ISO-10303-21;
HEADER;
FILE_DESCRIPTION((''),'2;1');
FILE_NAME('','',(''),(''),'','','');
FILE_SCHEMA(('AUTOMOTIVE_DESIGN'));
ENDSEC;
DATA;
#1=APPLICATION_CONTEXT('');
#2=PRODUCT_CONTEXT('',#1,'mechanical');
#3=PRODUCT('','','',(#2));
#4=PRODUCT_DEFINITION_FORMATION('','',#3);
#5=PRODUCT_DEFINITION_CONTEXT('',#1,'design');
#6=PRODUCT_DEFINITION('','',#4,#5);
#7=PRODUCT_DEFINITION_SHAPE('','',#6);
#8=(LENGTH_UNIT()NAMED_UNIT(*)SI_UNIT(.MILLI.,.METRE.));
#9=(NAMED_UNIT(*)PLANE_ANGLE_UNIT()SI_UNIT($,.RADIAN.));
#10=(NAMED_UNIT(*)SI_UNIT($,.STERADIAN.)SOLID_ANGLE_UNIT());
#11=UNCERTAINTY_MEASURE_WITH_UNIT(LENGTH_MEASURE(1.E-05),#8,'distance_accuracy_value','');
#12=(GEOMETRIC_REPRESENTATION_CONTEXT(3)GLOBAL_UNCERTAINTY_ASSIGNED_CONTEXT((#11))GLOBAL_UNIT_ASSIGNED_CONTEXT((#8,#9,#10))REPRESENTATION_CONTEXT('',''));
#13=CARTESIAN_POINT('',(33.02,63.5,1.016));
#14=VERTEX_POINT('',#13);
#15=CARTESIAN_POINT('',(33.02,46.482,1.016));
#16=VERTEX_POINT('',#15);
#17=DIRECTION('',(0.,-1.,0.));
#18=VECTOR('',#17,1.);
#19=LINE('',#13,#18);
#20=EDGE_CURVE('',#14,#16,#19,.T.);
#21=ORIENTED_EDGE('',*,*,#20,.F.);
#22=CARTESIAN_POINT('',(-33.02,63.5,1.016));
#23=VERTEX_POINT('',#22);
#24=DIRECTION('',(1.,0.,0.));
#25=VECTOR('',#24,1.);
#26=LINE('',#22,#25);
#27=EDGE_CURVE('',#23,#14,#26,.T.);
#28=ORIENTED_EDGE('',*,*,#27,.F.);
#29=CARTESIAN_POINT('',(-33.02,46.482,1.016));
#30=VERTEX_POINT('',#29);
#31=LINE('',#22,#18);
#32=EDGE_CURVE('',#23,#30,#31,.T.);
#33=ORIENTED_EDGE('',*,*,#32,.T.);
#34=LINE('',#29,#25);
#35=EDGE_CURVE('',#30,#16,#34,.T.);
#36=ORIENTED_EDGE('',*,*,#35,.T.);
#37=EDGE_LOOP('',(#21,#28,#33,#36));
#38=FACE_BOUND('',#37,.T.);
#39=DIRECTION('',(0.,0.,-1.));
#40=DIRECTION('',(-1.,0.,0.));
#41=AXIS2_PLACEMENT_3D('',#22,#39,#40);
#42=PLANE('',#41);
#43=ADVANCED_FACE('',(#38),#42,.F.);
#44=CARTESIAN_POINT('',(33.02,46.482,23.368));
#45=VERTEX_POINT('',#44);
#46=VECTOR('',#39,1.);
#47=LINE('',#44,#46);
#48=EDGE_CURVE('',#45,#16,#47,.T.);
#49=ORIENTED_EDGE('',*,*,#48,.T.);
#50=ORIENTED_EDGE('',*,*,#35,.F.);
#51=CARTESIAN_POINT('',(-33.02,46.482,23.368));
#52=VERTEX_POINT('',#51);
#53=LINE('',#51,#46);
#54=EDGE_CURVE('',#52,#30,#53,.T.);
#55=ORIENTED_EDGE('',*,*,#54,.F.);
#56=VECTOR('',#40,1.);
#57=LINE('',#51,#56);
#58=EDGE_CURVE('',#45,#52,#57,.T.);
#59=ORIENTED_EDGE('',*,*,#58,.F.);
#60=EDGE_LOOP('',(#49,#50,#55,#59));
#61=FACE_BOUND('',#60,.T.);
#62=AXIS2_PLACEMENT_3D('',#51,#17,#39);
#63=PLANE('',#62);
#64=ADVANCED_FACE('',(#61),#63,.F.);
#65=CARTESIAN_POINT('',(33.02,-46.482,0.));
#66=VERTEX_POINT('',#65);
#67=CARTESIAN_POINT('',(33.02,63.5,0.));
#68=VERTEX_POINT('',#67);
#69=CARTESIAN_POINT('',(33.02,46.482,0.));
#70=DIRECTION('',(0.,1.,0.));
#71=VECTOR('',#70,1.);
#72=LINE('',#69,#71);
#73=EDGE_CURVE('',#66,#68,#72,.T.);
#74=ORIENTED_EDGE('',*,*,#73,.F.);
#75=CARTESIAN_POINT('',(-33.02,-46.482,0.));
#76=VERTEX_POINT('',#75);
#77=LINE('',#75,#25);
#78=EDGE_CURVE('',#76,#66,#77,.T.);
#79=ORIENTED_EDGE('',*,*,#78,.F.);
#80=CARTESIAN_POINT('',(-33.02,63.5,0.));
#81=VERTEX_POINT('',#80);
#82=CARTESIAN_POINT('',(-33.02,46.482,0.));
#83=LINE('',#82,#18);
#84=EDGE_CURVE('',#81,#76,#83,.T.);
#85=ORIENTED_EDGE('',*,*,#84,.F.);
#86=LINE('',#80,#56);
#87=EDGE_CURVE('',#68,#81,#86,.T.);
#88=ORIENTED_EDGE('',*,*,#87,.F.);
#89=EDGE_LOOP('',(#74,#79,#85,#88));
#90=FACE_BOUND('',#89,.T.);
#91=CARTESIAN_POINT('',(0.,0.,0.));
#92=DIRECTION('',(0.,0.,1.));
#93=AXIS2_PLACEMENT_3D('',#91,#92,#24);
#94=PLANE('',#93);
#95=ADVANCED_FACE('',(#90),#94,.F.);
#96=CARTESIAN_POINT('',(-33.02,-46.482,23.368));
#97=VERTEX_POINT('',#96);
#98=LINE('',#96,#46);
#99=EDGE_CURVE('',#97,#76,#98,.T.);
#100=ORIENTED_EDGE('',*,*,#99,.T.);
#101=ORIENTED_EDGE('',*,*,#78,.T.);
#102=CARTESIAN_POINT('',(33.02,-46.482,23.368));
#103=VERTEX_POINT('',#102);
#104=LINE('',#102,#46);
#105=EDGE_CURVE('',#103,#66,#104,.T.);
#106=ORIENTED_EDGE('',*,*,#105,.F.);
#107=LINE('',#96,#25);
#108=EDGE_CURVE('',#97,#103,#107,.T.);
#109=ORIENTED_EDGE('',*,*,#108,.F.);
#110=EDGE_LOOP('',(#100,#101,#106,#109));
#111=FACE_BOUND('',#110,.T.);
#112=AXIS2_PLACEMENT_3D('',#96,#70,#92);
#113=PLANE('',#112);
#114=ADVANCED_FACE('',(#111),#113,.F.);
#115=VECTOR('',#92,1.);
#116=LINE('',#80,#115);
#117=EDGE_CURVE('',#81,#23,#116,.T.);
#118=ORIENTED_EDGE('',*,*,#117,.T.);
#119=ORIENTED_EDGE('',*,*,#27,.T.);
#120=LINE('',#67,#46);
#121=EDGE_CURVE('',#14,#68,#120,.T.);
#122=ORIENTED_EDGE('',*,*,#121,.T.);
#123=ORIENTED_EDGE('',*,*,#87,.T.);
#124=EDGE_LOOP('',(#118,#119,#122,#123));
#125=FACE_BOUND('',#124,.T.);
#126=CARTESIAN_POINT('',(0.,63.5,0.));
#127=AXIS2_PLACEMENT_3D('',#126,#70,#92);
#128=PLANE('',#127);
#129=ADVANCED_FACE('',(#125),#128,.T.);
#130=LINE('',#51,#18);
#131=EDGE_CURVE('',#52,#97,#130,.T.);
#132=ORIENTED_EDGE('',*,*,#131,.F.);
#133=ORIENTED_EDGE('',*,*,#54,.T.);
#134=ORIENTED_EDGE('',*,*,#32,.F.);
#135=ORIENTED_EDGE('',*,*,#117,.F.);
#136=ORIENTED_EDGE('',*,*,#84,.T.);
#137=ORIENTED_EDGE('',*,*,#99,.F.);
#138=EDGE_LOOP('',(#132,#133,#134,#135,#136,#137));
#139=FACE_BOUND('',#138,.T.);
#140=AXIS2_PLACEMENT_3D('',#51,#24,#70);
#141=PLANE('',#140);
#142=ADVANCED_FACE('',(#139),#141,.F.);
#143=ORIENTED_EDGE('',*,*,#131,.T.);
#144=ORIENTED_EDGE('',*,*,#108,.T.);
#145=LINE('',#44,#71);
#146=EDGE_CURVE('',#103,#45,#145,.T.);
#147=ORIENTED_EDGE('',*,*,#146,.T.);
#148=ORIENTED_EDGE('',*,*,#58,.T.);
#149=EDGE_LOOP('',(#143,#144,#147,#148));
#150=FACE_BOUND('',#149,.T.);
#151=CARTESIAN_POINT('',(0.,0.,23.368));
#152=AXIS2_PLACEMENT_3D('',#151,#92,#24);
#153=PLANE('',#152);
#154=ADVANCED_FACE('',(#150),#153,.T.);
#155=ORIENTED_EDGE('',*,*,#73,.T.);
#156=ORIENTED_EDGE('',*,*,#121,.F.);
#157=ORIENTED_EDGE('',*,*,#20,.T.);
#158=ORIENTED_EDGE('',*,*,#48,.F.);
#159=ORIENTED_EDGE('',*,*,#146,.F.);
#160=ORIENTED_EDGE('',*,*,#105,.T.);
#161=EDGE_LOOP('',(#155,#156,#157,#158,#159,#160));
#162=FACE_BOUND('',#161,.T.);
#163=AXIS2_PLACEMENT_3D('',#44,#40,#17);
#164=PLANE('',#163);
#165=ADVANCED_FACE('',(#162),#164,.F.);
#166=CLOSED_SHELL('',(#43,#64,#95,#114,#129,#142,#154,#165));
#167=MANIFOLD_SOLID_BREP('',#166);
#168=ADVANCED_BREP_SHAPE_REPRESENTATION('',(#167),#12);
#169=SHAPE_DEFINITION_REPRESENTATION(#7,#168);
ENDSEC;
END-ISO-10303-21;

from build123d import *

# Parameters (mm, degrees)
SKETCH1_W           = 66.04
SKETCH1_H           = 92.964
BOSS_EXTRUDE1_DEPTH = 23.368
SKETCH3_W           = 66.04
SKETCH3_H           = 1.016
BOSS_EXTRUDE2_DEPTH = 17.018


with BuildPart() as part:
    # Sketch1 → Boss-Extrude1 (new body)
    with BuildSketch(Plane.XY):
        Rectangle(SKETCH1_W, SKETCH1_H)
    extrude(amount=BOSS_EXTRUDE1_DEPTH)

    # Sketch3 → Boss-Extrude2 (add)
    with BuildSketch(Plane(origin=(0, 46.482, 0), x_dir=(1, 0, 0), z_dir=(0, 1, 0))):
        with Locations((0, -0.508)):
            Rectangle(SKETCH3_W, SKETCH3_H)
    extrude(amount=BOSS_EXTRUDE2_DEPTH)


solid = part.part
